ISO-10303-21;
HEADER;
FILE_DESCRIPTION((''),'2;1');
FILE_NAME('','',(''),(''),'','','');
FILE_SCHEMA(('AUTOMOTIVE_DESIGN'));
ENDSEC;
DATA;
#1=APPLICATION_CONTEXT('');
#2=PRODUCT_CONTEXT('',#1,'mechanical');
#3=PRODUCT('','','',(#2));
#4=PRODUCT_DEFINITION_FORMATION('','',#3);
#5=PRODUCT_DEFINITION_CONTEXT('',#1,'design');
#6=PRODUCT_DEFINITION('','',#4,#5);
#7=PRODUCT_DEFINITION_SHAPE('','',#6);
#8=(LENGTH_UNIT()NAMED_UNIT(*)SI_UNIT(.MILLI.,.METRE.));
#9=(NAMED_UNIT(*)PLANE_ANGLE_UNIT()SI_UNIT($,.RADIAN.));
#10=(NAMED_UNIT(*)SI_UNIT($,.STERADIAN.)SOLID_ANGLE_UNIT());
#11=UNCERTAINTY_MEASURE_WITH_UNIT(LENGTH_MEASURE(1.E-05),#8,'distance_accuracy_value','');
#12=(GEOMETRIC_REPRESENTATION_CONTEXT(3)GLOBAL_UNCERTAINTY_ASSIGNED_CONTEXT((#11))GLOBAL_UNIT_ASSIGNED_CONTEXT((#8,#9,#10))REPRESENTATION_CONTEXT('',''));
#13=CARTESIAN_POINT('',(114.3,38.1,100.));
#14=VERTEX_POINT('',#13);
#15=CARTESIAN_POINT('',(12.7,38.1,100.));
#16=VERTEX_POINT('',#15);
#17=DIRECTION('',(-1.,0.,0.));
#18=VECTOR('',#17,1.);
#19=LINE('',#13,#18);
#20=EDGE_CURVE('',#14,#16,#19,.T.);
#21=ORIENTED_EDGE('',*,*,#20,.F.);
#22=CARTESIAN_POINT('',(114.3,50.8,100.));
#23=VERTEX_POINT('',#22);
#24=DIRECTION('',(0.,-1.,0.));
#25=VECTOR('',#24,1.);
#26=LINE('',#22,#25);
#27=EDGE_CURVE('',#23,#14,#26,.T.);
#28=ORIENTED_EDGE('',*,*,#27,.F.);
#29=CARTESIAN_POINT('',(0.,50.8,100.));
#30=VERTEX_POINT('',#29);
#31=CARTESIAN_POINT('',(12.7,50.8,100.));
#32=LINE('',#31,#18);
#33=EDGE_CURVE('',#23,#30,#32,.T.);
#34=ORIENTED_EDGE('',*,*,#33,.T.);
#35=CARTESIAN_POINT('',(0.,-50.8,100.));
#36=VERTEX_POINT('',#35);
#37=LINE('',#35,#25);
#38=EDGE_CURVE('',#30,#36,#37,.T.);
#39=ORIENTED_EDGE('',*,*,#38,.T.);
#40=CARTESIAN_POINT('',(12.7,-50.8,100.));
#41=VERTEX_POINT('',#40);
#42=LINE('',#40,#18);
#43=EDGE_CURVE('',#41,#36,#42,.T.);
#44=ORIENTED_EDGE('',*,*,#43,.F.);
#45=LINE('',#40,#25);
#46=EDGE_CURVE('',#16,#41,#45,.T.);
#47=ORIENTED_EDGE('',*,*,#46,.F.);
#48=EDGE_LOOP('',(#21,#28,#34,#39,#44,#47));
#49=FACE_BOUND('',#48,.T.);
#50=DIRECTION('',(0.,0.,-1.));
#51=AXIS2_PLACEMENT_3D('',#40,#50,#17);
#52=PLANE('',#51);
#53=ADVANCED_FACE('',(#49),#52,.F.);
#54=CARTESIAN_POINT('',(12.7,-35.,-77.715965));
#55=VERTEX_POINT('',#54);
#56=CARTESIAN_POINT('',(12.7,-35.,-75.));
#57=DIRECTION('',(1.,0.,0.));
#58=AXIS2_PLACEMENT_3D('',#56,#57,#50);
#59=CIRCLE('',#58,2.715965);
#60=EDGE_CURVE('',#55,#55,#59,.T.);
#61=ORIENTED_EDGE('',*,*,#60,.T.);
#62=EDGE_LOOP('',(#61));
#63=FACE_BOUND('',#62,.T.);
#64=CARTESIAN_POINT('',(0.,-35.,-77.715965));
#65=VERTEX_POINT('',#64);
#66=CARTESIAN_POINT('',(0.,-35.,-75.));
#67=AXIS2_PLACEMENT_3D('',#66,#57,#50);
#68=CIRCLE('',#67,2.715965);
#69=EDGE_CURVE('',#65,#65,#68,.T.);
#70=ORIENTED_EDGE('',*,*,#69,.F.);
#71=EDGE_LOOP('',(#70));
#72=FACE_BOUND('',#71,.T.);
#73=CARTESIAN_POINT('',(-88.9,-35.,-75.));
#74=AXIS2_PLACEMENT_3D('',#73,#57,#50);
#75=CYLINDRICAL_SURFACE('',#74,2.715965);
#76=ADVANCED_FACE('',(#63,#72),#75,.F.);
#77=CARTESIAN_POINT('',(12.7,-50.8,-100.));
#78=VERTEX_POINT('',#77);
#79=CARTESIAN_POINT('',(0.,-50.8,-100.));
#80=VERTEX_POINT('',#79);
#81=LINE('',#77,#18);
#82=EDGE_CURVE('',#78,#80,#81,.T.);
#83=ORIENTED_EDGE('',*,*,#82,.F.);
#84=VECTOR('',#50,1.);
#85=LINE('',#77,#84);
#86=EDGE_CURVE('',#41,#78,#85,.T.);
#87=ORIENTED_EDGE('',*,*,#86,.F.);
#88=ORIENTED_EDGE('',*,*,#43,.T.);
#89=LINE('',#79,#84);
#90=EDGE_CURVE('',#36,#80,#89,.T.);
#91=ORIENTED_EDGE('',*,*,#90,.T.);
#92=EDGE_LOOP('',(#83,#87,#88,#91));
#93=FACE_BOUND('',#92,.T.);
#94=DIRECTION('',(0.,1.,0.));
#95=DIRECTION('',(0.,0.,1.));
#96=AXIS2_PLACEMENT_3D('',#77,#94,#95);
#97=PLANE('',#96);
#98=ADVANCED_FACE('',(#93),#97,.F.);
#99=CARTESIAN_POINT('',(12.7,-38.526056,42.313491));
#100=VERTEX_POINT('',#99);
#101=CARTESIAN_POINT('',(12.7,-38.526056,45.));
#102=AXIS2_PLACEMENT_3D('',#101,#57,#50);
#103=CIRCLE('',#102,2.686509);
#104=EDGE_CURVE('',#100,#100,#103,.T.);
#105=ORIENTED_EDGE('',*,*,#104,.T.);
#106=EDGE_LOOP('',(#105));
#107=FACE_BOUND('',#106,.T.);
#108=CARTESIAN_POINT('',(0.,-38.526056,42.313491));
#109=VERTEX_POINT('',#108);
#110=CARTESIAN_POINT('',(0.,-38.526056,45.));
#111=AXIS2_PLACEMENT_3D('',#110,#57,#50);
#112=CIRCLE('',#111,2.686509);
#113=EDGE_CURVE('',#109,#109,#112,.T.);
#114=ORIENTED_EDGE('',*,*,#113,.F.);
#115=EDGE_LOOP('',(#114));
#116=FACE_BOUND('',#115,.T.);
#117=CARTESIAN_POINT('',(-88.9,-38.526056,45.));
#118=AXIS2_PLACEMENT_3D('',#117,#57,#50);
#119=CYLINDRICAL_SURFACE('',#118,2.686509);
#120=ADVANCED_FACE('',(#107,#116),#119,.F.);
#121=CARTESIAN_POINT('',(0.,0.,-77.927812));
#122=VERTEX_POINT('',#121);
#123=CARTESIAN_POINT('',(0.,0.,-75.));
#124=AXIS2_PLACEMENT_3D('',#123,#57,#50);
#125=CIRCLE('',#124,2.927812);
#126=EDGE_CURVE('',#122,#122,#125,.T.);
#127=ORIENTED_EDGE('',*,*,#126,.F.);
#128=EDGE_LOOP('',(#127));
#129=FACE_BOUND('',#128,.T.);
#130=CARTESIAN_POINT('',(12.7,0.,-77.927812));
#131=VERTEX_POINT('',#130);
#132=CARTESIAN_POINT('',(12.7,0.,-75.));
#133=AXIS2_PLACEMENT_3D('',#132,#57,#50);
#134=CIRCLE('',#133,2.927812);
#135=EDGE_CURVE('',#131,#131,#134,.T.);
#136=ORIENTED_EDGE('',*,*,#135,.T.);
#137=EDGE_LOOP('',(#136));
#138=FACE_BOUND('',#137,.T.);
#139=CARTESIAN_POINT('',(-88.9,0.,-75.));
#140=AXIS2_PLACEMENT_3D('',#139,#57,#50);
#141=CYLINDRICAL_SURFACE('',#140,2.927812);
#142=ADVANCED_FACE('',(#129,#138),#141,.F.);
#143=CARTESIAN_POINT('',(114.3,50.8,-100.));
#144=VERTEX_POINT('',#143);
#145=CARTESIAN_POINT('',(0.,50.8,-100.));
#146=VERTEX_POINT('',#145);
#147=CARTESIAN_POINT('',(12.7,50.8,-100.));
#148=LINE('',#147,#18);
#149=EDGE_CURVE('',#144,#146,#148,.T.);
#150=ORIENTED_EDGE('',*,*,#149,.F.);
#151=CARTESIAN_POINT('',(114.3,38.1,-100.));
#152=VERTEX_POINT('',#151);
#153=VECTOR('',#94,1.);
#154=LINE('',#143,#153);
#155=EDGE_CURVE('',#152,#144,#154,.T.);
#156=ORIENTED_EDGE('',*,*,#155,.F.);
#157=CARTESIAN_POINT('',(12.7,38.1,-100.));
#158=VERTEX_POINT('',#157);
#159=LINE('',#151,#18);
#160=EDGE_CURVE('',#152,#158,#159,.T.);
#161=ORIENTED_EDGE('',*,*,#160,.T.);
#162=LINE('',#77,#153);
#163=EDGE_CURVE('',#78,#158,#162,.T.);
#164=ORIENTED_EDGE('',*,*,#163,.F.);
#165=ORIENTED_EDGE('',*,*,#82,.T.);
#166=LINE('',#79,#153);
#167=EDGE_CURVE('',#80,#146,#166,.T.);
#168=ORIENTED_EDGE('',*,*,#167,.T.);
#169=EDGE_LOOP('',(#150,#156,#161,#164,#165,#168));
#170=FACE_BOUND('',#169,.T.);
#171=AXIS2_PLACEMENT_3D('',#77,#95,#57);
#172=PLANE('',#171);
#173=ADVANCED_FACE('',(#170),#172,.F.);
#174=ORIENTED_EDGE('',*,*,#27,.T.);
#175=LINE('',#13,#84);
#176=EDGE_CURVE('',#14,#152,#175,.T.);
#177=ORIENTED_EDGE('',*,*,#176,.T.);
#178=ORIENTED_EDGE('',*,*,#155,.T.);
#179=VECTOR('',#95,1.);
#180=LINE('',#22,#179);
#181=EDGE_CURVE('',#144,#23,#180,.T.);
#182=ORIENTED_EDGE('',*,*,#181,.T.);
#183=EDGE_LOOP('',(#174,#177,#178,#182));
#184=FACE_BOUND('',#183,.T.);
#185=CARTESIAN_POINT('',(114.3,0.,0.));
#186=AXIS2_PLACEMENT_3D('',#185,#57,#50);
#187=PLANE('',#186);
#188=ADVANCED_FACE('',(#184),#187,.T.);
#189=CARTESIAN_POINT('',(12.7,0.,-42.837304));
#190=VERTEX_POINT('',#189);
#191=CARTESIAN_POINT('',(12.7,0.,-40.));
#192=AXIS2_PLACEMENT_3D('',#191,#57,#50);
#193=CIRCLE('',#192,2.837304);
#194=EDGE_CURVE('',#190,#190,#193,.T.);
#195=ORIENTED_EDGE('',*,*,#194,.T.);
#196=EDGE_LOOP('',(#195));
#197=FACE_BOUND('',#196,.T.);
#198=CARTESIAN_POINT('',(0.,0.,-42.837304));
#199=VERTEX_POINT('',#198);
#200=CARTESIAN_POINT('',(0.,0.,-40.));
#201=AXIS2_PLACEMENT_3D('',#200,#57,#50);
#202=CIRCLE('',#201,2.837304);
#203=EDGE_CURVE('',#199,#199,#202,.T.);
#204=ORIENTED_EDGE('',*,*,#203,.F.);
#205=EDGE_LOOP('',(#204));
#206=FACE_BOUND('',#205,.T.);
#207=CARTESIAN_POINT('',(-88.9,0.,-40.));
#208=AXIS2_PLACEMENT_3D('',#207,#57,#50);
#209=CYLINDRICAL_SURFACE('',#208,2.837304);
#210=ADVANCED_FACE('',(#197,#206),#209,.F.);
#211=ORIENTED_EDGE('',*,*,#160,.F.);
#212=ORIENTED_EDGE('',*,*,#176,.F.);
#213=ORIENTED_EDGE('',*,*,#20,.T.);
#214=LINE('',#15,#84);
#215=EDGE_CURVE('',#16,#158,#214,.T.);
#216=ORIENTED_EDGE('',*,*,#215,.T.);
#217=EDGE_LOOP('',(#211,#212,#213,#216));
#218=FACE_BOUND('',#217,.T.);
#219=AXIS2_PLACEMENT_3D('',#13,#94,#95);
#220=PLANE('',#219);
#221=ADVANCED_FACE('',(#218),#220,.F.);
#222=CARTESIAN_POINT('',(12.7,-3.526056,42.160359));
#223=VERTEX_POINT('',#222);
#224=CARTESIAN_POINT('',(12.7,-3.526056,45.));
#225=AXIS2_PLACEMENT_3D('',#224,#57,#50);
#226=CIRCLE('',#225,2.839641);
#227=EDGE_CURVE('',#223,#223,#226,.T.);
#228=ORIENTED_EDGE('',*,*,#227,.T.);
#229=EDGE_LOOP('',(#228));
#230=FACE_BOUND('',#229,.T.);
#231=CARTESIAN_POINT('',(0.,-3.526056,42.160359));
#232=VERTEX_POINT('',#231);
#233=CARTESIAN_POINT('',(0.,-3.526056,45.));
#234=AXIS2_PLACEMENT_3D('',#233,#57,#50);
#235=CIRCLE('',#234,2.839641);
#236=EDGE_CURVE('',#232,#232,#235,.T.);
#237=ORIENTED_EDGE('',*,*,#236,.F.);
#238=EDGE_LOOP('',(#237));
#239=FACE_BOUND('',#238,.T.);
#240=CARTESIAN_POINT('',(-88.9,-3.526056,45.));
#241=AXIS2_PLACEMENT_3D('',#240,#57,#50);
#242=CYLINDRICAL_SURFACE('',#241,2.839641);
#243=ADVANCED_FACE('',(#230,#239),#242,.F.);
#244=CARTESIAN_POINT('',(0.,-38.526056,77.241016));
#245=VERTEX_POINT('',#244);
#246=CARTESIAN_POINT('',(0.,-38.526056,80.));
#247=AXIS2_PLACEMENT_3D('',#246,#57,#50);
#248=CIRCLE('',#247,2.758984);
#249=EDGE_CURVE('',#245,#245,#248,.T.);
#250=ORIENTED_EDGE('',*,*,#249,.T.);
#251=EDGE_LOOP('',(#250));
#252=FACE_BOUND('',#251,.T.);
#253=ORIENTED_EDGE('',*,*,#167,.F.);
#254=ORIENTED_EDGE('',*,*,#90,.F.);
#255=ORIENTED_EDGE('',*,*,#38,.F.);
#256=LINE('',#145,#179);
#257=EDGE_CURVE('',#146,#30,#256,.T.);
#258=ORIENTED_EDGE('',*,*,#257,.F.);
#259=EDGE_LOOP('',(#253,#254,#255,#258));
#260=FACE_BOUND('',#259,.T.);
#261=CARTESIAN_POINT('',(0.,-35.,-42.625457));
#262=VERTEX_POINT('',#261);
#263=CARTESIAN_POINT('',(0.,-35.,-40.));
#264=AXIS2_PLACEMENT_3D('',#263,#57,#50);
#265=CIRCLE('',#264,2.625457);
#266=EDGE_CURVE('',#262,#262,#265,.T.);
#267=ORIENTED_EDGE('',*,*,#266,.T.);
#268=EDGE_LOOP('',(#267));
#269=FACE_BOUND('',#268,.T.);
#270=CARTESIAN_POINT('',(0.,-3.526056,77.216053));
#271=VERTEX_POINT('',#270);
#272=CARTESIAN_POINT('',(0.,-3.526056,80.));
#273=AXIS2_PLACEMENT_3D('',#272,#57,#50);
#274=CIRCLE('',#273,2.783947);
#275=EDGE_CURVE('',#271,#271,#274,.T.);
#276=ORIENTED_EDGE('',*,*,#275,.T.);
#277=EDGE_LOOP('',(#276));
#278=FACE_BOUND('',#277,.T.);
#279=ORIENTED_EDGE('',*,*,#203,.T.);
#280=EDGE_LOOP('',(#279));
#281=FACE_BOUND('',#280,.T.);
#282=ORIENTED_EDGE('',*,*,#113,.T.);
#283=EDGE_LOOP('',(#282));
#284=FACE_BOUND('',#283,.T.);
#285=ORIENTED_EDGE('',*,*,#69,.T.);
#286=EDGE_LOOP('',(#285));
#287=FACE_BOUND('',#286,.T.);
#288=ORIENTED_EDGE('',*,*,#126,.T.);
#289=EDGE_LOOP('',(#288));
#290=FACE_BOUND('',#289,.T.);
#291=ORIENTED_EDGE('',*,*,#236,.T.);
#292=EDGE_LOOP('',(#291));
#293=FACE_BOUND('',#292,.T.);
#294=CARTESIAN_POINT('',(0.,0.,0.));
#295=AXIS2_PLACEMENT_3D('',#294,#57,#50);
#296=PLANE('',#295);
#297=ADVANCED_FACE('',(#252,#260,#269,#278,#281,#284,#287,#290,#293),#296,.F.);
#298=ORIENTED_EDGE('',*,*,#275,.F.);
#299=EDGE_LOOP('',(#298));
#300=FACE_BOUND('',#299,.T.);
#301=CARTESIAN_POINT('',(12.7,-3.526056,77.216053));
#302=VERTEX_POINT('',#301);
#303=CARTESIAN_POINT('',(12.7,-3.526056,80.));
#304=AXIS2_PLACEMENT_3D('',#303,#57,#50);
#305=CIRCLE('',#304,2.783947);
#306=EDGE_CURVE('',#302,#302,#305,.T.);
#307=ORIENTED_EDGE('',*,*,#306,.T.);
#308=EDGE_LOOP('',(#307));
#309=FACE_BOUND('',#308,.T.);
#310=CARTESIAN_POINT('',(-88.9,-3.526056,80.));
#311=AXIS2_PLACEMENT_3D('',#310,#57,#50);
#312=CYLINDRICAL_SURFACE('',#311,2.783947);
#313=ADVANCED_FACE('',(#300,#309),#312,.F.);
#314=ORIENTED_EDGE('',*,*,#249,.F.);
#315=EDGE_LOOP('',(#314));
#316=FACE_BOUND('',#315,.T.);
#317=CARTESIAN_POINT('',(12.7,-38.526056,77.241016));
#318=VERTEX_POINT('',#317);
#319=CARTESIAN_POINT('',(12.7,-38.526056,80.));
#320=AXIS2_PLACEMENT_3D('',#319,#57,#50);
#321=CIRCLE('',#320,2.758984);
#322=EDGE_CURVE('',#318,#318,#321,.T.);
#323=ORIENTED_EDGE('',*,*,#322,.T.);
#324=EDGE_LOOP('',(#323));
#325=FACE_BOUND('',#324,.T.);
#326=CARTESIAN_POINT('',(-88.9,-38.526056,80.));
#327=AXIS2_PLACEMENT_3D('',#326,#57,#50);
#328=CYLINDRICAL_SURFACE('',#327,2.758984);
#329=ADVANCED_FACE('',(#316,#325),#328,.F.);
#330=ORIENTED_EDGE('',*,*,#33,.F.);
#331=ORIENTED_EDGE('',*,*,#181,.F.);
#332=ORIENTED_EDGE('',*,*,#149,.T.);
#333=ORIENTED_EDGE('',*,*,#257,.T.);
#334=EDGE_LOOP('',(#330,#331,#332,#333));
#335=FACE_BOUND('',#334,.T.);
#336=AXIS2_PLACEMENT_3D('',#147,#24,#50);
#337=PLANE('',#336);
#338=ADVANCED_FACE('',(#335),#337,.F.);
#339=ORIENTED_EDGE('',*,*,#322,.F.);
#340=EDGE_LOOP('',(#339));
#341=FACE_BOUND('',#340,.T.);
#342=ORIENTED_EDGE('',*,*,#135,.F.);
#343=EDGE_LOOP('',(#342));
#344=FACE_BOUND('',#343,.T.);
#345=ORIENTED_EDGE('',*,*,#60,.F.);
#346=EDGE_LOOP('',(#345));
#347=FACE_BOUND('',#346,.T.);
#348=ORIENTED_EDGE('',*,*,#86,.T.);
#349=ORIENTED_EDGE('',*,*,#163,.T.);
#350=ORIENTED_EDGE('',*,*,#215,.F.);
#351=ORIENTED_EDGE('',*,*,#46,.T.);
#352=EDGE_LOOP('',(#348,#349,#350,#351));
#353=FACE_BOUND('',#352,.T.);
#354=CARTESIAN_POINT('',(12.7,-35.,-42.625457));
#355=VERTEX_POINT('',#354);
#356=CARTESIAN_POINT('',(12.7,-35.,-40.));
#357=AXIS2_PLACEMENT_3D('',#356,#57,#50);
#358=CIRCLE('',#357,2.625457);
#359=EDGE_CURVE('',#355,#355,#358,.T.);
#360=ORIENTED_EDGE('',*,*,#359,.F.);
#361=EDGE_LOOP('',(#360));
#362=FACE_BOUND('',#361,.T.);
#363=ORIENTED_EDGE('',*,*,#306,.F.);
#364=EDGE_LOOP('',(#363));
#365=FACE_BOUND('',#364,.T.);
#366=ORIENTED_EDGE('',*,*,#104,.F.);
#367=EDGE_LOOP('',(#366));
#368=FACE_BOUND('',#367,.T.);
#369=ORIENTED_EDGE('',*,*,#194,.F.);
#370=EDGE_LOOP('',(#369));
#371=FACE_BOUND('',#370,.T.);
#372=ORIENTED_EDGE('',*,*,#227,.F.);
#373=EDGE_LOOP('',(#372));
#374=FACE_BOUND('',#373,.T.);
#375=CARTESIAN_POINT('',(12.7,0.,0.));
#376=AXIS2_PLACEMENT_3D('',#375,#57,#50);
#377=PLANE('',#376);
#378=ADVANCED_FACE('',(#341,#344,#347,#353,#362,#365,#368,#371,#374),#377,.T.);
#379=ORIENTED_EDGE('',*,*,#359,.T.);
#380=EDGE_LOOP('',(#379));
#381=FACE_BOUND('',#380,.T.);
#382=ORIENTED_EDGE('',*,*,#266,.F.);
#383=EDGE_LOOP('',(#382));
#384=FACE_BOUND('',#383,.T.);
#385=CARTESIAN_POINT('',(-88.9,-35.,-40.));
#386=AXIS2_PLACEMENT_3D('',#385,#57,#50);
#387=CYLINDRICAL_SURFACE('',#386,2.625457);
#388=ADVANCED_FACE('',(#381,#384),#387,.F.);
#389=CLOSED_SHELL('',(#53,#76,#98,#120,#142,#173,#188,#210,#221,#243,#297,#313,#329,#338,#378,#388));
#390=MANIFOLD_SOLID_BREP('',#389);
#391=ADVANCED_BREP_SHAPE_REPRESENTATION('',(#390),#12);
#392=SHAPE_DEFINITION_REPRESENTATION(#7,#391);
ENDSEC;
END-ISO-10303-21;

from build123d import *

# Parameters (mm, degrees)
CROQUIS1_W              = 200
CROQUIS1_H              = 101.6
SALIENTE_EXTRUIR1_DEPTH = 12.7
CROQUIS2_W              = 200
CROQUIS2_H              = 12.7
SALIENTE_EXTRUIR2_DEPTH = 101.6
CROQUIS3_R              = 2.783946769
CROQUIS3_R_2            = 2.839641003
CROQUIS3_R_3            = 2.758984083
CROQUIS3_R_4            = 2.686508842
CROQUIS3_R_5            = 2.837304272
CROQUIS3_R_6            = 2.927811787
CROQUIS3_R_7            = 2.625457287
CROQUIS3_R_8            = 2.715964801
CORTAR_EXTRUIR1_DEPTH   = 101.6


with BuildPart() as part:
    # Croquis1 → Saliente-Extruir1 (new body)
    with BuildSketch(Plane(origin=(0, 0, 0), x_dir=(0, 0, -1), z_dir=(1, 0, 0))):
        Rectangle(CROQUIS1_W, CROQUIS1_H)
    extrude(amount=SALIENTE_EXTRUIR1_DEPTH)

    # Croquis2 → Saliente-Extruir2 (add)
    with BuildSketch(Plane(origin=(12.7, 0, 0), x_dir=(0, 0, -1), z_dir=(1, 0, 0))):
        with Locations((0, 44.45)):
            Rectangle(CROQUIS2_W, CROQUIS2_H)
    extrude(amount=SALIENTE_EXTRUIR2_DEPTH)

    # Croquis3 → Cortar-Extruir1 (cut)
    with BuildSketch(Plane(origin=(12.7, 0, 0), x_dir=(0, 0, -1), z_dir=(1, 0, 0))):
        with Locations((-80, -3.526056283)):
            Circle(CROQUIS3_R)
        with Locations((-45, -3.526056283)):
            Circle(CROQUIS3_R_2)
        with Locations((-80, -38.526056283)):
            Circle(CROQUIS3_R_3)
        with Locations((-45, -38.526056283)):
            Circle(CROQUIS3_R_4)
        with Locations((40, 0)):
            Circle(CROQUIS3_R_5)
        with Locations((75, 0)):
            Circle(CROQUIS3_R_6)
        with Locations((40, -35)):
            Circle(CROQUIS3_R_7)
        with Locations((75, -35)):
            Circle(CROQUIS3_R_8)
    extrude(amount=-CORTAR_EXTRUIR1_DEPTH, mode=Mode.SUBTRACT)


solid = part.part
